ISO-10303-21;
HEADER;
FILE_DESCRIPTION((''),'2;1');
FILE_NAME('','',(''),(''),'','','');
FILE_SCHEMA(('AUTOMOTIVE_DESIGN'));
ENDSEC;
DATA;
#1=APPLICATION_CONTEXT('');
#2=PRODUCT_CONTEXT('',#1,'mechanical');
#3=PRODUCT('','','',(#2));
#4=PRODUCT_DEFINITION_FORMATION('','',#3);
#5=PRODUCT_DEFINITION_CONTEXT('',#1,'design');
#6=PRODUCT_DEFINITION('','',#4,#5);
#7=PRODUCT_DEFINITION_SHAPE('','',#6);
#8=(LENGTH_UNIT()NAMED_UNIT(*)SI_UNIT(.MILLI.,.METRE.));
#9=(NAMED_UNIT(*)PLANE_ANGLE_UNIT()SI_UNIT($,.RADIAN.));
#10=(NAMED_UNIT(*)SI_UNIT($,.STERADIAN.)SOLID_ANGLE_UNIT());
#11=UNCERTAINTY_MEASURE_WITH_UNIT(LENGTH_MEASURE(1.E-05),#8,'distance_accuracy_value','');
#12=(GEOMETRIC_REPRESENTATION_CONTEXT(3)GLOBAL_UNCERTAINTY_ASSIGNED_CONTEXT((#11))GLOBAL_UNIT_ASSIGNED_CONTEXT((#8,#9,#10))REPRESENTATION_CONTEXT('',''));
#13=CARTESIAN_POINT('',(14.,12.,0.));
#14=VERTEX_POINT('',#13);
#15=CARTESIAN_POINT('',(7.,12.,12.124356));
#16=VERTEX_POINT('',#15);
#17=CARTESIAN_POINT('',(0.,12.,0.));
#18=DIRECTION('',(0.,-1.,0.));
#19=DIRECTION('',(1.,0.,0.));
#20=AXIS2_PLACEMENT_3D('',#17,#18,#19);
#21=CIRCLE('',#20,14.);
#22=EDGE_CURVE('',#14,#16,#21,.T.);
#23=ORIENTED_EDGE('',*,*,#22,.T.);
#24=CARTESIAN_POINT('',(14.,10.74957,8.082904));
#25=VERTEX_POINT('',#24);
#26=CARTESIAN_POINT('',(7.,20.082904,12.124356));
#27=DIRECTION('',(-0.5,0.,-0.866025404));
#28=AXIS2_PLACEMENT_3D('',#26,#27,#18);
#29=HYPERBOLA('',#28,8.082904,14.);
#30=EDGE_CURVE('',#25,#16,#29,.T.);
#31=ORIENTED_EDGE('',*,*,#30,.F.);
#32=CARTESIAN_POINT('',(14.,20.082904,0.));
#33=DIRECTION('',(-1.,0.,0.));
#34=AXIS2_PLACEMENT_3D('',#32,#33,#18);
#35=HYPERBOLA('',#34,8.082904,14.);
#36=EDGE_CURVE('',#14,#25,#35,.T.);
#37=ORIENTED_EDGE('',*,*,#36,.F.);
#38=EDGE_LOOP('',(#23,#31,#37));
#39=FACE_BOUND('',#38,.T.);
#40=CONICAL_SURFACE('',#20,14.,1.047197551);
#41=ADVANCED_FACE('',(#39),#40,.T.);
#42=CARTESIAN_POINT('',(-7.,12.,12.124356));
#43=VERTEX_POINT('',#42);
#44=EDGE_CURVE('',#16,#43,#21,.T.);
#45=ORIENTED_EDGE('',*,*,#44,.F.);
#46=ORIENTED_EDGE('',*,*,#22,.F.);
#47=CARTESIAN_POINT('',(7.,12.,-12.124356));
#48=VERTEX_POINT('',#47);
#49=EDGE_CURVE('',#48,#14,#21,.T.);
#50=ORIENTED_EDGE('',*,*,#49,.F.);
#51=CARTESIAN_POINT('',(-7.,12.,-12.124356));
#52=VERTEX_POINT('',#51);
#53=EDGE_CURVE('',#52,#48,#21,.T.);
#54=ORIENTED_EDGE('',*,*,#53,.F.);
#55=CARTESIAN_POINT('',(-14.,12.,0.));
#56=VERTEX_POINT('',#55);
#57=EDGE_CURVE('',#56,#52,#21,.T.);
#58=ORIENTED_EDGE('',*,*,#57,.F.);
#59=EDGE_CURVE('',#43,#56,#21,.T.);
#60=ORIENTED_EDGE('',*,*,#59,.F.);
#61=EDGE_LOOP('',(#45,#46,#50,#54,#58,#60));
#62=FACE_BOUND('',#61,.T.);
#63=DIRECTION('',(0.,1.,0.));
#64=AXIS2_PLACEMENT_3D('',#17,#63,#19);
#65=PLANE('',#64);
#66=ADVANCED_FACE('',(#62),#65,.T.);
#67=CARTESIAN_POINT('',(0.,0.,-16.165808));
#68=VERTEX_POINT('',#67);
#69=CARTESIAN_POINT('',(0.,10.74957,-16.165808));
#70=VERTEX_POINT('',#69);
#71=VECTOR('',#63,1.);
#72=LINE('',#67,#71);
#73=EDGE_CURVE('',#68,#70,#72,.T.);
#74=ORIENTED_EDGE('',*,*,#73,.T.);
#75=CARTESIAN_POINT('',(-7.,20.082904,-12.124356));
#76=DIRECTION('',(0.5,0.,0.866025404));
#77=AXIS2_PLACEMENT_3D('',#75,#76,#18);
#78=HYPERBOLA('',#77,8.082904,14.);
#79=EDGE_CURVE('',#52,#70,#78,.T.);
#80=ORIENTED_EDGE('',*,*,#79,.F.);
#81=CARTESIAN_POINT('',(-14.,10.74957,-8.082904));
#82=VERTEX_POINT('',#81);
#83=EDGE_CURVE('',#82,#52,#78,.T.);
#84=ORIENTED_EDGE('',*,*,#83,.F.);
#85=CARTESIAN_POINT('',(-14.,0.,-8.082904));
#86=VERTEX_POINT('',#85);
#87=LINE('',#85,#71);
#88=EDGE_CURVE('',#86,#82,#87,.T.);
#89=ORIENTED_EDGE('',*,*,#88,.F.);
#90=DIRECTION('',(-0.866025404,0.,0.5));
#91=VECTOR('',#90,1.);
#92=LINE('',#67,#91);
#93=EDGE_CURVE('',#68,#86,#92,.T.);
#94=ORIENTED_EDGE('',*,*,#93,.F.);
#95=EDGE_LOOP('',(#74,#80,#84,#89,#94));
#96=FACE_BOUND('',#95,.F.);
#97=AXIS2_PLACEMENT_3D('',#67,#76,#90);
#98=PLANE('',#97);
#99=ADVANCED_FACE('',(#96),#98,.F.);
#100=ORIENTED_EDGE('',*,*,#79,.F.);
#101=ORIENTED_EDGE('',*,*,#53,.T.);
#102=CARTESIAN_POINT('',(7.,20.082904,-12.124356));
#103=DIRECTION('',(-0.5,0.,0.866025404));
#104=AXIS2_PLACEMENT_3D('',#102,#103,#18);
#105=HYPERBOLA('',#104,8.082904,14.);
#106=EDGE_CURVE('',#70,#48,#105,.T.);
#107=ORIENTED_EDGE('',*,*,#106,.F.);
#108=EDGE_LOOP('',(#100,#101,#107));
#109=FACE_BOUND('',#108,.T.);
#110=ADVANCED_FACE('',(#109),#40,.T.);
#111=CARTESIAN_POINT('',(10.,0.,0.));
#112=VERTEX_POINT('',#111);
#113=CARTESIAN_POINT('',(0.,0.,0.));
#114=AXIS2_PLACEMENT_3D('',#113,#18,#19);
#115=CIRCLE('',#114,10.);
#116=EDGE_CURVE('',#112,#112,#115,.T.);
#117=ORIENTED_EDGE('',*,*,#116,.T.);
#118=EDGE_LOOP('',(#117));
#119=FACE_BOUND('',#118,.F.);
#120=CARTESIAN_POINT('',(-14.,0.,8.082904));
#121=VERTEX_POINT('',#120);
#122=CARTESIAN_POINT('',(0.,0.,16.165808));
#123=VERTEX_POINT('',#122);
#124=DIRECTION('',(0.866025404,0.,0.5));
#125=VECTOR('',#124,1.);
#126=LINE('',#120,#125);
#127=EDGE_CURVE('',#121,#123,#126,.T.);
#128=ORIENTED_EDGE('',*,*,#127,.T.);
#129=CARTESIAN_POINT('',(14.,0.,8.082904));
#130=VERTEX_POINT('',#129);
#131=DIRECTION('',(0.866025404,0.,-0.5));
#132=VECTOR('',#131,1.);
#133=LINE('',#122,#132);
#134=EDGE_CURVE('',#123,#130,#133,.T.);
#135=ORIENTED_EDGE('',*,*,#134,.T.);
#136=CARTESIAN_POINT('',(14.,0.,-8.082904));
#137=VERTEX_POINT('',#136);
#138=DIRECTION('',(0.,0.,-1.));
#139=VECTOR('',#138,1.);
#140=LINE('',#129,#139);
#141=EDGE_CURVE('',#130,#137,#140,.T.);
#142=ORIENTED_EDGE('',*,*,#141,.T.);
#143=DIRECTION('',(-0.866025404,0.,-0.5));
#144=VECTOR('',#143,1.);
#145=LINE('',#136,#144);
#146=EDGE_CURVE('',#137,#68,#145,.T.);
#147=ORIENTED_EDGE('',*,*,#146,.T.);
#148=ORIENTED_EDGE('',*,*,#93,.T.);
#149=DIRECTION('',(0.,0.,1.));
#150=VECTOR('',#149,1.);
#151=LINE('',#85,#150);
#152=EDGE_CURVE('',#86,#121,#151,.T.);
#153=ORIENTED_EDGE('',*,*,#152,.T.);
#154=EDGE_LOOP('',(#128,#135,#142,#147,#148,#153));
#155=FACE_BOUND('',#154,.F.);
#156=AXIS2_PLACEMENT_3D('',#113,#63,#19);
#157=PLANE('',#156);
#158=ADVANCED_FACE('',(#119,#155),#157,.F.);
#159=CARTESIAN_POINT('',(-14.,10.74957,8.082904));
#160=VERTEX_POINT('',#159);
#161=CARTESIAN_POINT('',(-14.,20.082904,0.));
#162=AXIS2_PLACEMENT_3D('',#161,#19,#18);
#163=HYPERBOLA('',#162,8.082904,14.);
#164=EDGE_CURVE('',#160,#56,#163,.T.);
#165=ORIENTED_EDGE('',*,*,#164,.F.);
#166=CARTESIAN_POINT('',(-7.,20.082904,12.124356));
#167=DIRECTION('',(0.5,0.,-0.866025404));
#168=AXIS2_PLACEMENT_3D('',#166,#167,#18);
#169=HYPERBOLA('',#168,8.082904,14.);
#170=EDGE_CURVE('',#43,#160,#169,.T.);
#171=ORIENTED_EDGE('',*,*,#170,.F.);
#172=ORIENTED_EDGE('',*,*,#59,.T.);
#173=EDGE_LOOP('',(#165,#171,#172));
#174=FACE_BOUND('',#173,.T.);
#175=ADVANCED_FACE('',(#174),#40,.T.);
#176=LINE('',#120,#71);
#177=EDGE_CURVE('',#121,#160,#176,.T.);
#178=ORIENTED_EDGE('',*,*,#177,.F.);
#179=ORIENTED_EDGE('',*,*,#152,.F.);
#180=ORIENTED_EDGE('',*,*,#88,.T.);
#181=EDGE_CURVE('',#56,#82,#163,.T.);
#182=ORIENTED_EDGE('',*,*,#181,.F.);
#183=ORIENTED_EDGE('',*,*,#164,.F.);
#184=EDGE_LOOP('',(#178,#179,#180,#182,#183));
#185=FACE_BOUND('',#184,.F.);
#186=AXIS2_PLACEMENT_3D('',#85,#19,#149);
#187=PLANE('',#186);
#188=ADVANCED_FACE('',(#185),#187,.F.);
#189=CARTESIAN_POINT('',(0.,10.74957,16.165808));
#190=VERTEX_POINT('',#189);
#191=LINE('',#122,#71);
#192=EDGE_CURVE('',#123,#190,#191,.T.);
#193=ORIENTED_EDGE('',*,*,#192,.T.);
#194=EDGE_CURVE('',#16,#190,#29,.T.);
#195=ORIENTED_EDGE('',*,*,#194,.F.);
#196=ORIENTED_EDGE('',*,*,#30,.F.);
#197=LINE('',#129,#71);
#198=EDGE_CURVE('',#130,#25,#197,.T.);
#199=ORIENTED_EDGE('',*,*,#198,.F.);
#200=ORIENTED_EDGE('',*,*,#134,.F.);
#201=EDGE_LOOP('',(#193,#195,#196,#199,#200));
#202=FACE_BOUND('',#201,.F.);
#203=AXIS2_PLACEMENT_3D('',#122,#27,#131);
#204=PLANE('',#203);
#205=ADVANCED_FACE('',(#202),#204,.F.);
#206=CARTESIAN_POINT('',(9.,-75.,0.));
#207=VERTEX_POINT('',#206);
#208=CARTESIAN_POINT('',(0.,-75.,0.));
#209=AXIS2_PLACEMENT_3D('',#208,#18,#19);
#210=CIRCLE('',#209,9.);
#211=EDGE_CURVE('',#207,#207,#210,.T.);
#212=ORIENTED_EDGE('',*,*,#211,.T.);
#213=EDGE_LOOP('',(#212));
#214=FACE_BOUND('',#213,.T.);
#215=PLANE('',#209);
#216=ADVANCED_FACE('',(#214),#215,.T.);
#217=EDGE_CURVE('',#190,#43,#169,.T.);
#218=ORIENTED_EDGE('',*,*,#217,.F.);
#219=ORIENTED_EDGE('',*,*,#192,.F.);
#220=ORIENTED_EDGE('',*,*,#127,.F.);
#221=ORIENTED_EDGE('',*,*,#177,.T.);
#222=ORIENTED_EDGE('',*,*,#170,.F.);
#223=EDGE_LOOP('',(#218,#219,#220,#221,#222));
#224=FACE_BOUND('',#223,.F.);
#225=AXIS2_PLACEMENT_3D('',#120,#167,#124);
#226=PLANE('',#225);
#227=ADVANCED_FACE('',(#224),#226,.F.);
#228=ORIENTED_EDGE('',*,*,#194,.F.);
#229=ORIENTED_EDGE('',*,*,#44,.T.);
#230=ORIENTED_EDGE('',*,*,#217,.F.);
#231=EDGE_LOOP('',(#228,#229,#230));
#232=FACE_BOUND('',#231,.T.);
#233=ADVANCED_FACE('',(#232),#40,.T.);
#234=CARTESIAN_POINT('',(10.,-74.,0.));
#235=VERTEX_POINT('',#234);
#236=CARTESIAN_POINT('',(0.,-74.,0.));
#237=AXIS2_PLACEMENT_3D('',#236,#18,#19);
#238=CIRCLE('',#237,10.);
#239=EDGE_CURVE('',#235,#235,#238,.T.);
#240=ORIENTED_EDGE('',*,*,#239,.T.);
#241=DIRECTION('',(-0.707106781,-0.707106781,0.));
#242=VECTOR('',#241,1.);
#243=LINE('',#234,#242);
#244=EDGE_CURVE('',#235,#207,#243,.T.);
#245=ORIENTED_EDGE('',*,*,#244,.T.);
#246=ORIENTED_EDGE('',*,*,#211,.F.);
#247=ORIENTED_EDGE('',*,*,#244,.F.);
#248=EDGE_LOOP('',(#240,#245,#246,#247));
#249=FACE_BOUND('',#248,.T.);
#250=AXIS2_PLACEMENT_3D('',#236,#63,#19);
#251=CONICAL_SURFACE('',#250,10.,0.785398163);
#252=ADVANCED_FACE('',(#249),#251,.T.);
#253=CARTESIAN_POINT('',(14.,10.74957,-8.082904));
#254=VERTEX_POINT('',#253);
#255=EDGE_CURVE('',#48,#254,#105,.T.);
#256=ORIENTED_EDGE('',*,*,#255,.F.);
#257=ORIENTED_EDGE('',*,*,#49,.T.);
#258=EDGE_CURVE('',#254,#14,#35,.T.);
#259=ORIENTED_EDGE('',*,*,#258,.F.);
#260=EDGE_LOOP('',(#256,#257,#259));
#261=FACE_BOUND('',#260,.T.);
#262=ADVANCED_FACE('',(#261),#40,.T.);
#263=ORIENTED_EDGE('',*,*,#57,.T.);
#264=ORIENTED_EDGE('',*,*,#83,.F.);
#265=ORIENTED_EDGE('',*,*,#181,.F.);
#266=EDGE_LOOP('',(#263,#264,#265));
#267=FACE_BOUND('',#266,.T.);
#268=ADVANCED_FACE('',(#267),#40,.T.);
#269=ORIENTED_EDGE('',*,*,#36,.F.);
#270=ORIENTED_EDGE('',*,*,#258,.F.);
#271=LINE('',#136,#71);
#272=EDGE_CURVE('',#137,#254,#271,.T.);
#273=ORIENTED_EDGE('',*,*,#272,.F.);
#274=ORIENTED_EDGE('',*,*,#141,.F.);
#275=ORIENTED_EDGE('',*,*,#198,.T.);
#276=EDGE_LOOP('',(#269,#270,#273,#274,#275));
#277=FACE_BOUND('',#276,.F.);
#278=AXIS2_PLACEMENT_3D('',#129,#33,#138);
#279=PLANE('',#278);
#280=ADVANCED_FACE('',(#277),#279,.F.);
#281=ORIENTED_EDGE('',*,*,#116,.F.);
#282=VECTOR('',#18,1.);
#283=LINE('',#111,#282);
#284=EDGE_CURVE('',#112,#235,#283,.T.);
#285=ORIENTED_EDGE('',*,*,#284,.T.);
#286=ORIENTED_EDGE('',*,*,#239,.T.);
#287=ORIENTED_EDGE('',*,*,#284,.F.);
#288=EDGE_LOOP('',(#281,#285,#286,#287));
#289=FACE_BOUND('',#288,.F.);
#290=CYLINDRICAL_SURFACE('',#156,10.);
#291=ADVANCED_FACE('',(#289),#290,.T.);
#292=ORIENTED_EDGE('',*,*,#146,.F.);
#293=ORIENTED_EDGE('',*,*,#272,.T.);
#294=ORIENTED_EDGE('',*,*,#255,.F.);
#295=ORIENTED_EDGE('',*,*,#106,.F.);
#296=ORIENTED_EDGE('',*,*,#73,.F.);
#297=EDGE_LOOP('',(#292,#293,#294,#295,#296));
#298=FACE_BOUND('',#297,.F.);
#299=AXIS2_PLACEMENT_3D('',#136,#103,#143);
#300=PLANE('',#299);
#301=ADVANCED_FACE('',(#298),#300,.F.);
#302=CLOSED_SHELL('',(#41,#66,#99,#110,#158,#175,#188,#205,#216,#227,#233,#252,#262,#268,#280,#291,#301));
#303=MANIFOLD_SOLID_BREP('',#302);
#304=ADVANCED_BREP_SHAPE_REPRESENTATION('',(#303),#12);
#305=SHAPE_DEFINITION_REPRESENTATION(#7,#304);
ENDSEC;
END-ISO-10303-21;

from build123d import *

# Parameters (mm, degrees)
BOSS_EXTRUDE1_DEPTH = 12
SKETCH2_OUTSIDE_W   = 80.454
SKETCH2_OUTSIDE_H   = 84.786
SKETCH2_OUTSIDE_R   = 14
CUT_EXTRUDE1_DEPTH  = 12
CUT_EXTRUDE1_TAPER  = 60
SKETCH3_R           = 10
BOSS_EXTRUDE2_DEPTH = 75
CHAMFER1_SIZE       = 1


with BuildPart() as part:
    # Sketch1 → Boss-Extrude1 (new body)
    with BuildSketch(Plane(origin=(0, 0, 0), x_dir=(1, 0, 0), z_dir=(0, 1, 0))):
        Polygon((0, 16.165807537), (-14, 8.082903769), (-14, -8.082903769), (0, -16.165807537), (14, -8.082903769), (14, 8.082903769), align=None)
    extrude(amount=BOSS_EXTRUDE1_DEPTH)

    # Sketch2 outside → Cut-Extrude1 (cut)
    with BuildSketch(Plane(origin=(0, 12, 0), x_dir=(1, 0, 0), z_dir=(0, 1, 0))):
        Rectangle(SKETCH2_OUTSIDE_W, SKETCH2_OUTSIDE_H)
        Circle(SKETCH2_OUTSIDE_R, mode=Mode.SUBTRACT)
    extrude(amount=-CUT_EXTRUDE1_DEPTH, taper=CUT_EXTRUDE1_TAPER, mode=Mode.SUBTRACT)

    # Sketch3 → Boss-Extrude2 (add)
    with BuildSketch(Plane.XZ):
        Circle(SKETCH3_R)
    extrude(amount=BOSS_EXTRUDE2_DEPTH)

    # Chamfer1
    chamfer1_edges = [part.edges().sort_by_distance(p)[0] for p in [
        (-10, -75, 0),
    ]]
    chamfer(chamfer1_edges, length=CHAMFER1_SIZE)


solid = part.part
